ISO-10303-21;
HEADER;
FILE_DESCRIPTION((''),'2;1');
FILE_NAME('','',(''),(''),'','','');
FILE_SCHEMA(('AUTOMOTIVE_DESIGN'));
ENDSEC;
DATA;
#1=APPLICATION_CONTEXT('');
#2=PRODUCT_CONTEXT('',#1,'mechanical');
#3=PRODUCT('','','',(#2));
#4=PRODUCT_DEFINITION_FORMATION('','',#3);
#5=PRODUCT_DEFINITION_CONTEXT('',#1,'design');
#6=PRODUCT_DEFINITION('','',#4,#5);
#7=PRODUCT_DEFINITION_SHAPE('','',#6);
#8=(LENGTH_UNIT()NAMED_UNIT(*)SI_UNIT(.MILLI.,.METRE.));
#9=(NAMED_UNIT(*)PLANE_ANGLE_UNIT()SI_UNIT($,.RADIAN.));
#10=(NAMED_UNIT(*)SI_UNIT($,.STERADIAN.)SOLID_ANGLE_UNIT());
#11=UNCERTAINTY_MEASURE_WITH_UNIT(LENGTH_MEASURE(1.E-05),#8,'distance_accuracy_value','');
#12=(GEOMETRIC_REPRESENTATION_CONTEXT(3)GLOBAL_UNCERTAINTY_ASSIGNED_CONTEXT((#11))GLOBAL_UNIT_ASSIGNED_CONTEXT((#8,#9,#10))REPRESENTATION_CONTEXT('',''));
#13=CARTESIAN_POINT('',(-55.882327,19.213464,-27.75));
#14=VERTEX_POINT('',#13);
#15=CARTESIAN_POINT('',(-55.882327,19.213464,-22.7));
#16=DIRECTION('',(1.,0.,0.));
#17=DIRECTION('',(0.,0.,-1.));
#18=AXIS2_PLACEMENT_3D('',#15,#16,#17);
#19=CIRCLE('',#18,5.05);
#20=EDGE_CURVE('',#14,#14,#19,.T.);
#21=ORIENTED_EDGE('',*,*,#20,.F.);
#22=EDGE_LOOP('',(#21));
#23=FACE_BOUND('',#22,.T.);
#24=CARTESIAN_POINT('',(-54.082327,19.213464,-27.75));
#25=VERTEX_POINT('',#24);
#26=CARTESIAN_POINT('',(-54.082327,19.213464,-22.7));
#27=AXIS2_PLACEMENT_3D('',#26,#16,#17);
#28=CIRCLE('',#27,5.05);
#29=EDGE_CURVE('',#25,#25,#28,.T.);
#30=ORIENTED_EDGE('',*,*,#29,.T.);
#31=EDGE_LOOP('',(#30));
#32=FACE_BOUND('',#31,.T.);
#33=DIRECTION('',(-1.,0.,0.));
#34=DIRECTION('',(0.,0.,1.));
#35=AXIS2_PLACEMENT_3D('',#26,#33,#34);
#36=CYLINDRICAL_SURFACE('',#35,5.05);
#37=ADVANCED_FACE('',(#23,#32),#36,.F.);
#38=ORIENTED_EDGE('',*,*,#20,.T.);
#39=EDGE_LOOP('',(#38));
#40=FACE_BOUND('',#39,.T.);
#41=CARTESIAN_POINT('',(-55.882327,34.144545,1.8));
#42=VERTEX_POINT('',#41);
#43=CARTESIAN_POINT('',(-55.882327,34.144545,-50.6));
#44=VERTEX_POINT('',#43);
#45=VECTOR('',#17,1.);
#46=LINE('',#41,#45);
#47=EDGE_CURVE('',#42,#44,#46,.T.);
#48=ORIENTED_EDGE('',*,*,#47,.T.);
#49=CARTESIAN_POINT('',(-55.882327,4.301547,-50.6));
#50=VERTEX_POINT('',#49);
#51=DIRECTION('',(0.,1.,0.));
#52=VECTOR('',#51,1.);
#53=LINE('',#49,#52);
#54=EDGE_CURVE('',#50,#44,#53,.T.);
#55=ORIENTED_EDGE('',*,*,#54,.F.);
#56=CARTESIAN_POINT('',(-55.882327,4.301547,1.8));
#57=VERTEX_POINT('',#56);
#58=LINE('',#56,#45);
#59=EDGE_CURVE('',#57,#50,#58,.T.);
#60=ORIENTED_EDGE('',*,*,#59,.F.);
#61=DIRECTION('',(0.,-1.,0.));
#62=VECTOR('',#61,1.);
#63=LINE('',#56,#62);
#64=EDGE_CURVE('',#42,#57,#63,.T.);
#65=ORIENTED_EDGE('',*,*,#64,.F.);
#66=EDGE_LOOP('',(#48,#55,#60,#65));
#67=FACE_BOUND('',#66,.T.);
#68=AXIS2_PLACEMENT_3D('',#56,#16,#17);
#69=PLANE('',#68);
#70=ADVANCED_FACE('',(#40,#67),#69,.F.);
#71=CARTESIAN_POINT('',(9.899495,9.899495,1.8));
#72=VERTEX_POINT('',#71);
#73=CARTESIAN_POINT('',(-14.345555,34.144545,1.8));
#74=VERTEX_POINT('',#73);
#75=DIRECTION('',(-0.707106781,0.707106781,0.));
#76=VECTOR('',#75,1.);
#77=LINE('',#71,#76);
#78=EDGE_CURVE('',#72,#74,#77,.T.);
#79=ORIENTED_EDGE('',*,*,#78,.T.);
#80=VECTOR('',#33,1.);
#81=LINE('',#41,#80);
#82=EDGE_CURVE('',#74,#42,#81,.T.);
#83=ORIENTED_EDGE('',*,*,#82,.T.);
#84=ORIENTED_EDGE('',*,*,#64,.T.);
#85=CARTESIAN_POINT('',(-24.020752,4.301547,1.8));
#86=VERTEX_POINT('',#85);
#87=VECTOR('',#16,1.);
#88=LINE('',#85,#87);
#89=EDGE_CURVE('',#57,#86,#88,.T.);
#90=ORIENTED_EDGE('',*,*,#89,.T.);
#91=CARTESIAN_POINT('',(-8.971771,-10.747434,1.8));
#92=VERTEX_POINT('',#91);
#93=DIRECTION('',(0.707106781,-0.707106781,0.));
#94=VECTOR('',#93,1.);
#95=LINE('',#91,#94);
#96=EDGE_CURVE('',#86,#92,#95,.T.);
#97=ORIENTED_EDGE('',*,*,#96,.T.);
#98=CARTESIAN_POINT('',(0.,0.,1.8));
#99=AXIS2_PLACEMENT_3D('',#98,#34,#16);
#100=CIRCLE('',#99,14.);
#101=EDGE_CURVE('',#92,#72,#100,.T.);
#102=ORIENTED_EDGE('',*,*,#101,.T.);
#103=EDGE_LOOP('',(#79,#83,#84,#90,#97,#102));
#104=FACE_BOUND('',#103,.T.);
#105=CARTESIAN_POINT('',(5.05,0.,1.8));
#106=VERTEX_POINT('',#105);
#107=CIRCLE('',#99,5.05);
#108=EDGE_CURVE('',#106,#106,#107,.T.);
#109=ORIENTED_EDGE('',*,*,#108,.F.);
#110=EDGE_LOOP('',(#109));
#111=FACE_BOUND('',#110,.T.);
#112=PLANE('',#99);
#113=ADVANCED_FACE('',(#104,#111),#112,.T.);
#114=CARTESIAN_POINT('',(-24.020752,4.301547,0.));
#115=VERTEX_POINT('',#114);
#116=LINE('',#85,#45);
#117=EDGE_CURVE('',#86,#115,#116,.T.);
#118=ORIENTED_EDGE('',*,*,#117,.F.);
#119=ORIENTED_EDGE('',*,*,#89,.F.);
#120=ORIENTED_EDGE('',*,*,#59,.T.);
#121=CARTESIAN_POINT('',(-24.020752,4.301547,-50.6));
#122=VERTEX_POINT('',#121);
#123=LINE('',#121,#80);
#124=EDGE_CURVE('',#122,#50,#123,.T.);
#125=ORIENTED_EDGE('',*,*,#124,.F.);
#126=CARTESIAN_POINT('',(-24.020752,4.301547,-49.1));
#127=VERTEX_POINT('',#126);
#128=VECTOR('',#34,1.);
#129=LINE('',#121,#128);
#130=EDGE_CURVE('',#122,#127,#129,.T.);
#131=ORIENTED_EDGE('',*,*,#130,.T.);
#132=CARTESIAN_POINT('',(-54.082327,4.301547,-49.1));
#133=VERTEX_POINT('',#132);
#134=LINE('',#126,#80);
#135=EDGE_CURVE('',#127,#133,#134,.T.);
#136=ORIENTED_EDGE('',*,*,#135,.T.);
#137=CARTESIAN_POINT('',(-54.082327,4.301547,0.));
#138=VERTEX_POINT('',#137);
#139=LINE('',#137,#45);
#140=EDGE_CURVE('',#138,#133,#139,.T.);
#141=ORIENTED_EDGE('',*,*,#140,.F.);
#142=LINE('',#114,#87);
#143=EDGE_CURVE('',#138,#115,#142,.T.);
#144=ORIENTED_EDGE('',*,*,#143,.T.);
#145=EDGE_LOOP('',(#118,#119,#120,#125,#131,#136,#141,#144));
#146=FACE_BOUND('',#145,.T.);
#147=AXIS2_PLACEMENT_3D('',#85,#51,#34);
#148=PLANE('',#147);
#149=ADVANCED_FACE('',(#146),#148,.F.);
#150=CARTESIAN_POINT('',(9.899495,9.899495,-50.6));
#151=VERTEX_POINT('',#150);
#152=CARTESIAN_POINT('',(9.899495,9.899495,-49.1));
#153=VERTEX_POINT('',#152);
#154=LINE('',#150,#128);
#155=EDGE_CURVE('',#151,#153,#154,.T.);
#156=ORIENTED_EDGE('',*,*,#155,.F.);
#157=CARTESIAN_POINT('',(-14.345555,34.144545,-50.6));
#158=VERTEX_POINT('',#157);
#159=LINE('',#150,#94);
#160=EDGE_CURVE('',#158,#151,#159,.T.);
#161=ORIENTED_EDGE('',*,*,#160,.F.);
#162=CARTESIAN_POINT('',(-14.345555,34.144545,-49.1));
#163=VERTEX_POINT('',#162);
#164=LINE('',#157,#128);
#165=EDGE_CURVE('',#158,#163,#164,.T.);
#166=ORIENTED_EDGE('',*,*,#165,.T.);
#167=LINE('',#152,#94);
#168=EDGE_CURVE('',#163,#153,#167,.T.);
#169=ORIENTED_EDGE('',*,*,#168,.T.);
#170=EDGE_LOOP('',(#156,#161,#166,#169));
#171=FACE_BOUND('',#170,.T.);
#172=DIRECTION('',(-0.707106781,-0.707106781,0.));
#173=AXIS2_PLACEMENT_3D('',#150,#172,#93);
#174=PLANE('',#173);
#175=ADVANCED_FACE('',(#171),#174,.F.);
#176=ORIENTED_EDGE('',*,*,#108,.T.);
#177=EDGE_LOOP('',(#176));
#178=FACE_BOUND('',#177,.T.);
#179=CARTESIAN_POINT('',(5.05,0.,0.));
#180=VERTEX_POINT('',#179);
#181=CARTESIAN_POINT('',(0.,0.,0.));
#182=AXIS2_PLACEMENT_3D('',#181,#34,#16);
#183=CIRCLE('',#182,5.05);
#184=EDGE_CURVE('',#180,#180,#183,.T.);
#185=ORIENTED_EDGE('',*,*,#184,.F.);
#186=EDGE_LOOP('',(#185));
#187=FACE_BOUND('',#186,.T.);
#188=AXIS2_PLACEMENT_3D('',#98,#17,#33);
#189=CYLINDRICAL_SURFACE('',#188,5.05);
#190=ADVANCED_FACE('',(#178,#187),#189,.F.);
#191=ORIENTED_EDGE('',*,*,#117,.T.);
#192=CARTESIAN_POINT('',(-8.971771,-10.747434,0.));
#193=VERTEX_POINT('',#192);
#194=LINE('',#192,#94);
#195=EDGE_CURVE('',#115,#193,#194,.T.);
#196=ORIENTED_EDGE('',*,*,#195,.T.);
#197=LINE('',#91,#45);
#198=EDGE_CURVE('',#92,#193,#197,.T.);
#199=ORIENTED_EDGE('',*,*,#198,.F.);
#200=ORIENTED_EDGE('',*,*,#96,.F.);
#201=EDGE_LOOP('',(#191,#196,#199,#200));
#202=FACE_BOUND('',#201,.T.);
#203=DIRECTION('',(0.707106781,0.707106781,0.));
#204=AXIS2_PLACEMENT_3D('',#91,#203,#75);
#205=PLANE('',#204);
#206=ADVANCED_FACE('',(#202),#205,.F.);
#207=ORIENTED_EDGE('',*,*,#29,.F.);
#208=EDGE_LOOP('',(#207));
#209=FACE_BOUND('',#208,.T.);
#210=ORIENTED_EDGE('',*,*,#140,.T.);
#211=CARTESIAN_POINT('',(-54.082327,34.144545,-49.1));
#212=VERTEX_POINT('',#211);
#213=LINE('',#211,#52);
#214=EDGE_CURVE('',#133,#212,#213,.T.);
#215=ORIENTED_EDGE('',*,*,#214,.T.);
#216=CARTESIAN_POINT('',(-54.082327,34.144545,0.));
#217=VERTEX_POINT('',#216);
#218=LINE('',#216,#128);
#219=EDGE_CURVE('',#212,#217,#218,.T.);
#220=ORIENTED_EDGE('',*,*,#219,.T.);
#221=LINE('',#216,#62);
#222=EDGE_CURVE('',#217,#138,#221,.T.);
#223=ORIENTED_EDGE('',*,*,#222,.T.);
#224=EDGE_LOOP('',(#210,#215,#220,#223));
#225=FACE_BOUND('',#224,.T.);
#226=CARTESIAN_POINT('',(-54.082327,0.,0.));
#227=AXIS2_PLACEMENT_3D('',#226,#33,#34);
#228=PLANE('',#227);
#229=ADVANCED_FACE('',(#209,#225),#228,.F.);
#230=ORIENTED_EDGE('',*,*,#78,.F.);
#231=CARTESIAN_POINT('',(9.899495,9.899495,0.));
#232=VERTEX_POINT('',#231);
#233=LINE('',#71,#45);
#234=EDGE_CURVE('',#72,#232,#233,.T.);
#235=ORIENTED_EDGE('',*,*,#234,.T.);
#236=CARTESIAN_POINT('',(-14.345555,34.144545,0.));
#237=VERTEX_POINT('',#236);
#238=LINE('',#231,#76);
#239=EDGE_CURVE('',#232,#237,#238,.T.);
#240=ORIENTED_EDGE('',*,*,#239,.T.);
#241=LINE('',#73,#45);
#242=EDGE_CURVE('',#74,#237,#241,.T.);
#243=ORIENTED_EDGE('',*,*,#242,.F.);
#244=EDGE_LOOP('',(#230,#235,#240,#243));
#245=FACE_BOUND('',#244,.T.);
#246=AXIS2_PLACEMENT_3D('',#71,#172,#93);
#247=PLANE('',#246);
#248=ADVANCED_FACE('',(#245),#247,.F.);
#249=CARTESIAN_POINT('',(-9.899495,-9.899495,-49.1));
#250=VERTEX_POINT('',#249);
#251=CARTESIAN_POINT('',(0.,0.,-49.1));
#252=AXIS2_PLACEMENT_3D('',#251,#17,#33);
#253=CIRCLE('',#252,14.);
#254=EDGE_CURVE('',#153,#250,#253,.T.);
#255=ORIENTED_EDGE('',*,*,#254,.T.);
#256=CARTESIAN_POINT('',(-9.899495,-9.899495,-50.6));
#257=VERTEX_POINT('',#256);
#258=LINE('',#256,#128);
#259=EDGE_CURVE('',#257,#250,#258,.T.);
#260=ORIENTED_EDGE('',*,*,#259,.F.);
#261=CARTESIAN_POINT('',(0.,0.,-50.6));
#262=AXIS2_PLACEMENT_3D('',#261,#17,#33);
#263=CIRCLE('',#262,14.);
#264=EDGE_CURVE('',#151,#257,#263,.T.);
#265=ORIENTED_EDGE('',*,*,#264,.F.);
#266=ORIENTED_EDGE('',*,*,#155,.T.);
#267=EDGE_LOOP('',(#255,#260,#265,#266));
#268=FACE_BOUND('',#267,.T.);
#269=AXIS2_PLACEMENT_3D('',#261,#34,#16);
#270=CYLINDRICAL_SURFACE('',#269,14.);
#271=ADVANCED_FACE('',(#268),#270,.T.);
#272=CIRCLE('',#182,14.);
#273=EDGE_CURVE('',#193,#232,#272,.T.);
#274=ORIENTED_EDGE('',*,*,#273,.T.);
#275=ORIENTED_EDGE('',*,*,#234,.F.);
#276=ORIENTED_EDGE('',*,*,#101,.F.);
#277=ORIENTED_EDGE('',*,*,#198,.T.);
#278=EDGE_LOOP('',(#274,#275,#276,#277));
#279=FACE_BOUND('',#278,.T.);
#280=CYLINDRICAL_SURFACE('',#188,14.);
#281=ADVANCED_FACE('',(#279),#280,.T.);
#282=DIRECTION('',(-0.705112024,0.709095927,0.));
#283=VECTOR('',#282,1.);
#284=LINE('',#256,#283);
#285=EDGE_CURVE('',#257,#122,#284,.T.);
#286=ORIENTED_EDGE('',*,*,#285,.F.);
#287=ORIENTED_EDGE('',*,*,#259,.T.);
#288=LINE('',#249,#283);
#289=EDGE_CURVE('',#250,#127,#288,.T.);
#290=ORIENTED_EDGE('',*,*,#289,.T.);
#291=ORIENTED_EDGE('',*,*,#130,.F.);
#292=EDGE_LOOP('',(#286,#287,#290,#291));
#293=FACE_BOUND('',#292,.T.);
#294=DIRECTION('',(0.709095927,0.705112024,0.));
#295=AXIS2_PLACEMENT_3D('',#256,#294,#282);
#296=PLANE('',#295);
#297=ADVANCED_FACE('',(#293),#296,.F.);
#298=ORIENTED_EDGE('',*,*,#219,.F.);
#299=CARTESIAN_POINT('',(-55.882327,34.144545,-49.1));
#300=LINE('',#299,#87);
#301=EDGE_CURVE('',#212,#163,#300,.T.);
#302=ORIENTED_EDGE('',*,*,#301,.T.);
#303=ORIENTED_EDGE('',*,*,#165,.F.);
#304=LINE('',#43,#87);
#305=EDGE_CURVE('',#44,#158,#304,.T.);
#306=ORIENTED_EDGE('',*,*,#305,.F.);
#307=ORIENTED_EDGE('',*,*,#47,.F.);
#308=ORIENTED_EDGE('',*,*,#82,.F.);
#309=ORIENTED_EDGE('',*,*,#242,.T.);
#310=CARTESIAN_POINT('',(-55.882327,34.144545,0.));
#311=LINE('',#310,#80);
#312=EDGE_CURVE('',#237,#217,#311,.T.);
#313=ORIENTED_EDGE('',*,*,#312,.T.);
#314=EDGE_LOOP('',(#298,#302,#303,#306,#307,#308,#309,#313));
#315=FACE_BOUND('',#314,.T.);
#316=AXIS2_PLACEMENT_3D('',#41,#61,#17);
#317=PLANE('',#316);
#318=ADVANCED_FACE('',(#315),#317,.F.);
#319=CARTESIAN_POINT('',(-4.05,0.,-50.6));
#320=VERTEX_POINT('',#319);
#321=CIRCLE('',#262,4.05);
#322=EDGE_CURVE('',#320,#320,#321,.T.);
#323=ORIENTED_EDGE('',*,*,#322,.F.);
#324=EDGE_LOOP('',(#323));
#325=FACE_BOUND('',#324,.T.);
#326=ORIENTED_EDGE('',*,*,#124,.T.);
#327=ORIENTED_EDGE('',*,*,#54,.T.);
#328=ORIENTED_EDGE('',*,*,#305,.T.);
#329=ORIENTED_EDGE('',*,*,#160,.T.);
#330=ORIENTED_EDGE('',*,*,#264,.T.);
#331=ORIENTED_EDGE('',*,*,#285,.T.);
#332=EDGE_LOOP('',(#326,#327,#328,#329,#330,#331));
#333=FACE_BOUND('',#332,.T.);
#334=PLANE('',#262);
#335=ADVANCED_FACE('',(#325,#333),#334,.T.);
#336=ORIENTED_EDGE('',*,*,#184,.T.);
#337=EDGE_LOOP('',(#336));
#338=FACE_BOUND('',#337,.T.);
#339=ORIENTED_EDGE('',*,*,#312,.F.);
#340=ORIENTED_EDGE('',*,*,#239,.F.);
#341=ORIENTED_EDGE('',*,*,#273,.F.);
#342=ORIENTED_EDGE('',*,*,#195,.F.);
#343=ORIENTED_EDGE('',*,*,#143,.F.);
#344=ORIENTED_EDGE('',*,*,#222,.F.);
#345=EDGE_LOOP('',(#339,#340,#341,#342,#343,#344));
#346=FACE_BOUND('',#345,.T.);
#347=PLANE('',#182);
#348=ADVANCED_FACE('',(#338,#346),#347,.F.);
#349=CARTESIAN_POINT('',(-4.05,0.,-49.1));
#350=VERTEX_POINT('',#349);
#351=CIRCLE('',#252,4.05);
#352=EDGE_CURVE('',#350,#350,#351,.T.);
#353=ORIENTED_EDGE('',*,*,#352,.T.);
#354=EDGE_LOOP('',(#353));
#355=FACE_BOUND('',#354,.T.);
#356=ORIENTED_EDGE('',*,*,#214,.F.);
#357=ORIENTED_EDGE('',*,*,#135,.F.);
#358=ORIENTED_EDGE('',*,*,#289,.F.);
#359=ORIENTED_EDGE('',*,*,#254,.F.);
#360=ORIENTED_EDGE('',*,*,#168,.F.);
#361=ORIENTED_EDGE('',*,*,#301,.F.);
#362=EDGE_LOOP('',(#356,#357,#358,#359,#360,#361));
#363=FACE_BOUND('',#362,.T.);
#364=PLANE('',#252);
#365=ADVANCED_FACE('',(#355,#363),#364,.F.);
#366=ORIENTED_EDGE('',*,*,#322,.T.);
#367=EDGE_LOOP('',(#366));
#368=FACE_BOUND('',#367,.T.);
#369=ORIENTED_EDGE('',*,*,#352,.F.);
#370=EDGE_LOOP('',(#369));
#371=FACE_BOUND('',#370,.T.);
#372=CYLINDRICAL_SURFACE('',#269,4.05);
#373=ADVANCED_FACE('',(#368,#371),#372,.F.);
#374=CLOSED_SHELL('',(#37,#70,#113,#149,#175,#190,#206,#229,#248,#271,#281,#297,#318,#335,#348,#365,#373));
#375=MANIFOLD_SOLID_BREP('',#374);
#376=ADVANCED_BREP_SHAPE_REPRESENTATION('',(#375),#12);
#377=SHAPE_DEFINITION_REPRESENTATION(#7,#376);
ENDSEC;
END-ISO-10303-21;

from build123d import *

# Parameters (mm, degrees)
ESBO_O1_R                = 5.05
RESSALTO_EXTRUS_O2_DEPTH = 1.8
ESBO_O2_W                = 49.1
ESBO_O2_H                = 29.842997711
ESBO_O2_R                = 5.05
RESSALTO_EXTRUS_O3_DEPTH = 1.8
RESSALTO_EXTRUS_O5_START = 1.5
ESBO_O3_R                = 4.05
RESSALTO_EXTRUS_O5_DEPTH = 1.5


with BuildPart() as part:
    # Esboço1 → Ressalto-extrusão2 (new body)
    with BuildSketch(Plane.XY):
        with BuildLine():
            Line((9.899494937, 9.899494937), (-14.345555324, 34.144545197))
            Line((-14.345555324, 34.144545197), (-55.882327004, 34.144545197))
            Line((-55.882327004, 34.144545197), (-55.882327004, 4.301547486))
            Line((-55.882327004, 4.301547486), (-24.020751859, 4.301547486))
            Line((-24.020751859, 4.301547486), (-8.97177071, -10.747433663))
            ThreePointArc((-8.97177071, -10.747433663), (10.333880356, -9.445153085), (9.899494937, 9.899494937))
        make_face()
        Circle(ESBO_O1_R, mode=Mode.SUBTRACT)
    extrude(amount=RESSALTO_EXTRUS_O2_DEPTH)

    # Esboço2 → Ressalto-extrusão3 (add)
    with BuildSketch(Plane(origin=(-55.882327004, 0, 0), x_dir=(0, 0, -1), z_dir=(1, 0, 0))):
        with Locations((24.55, 19.223046342)):
            Rectangle(ESBO_O2_W, ESBO_O2_H)
        with Locations((22.7, 19.213463732)):
            Circle(ESBO_O2_R, mode=Mode.SUBTRACT)
    extrude(amount=RESSALTO_EXTRUS_O3_DEPTH)

    # Esboço3 → Ressalto-extrusão5 (add)
    with BuildSketch(Plane(origin=(0, 0, -49.1), x_dir=(-1, 0, 0), z_dir=(0, 0, -1)).offset(RESSALTO_EXTRUS_O5_START)):
        with BuildLine():
            Line((-9.899494937, 9.899494937), (14.345555324, 34.144545197))
            Line((14.345555324, 34.144545197), (55.882327004, 34.144545197))
            Line((55.882327004, 34.144545197), (55.882327004, 4.301547486))
            Line((55.882327004, 4.301547486), (24.020751859, 4.301547486))
            Line((24.020751859, 4.301547486), (9.899494937, -9.899494937))
            ThreePointArc((9.899494937, -9.899494937), (-9.899494937, -9.899494937), (-9.899494937, 9.899494937))
        make_face()
        Circle(ESBO_O3_R, mode=Mode.SUBTRACT)
    extrude(amount=-RESSALTO_EXTRUS_O5_DEPTH)


solid = part.part
